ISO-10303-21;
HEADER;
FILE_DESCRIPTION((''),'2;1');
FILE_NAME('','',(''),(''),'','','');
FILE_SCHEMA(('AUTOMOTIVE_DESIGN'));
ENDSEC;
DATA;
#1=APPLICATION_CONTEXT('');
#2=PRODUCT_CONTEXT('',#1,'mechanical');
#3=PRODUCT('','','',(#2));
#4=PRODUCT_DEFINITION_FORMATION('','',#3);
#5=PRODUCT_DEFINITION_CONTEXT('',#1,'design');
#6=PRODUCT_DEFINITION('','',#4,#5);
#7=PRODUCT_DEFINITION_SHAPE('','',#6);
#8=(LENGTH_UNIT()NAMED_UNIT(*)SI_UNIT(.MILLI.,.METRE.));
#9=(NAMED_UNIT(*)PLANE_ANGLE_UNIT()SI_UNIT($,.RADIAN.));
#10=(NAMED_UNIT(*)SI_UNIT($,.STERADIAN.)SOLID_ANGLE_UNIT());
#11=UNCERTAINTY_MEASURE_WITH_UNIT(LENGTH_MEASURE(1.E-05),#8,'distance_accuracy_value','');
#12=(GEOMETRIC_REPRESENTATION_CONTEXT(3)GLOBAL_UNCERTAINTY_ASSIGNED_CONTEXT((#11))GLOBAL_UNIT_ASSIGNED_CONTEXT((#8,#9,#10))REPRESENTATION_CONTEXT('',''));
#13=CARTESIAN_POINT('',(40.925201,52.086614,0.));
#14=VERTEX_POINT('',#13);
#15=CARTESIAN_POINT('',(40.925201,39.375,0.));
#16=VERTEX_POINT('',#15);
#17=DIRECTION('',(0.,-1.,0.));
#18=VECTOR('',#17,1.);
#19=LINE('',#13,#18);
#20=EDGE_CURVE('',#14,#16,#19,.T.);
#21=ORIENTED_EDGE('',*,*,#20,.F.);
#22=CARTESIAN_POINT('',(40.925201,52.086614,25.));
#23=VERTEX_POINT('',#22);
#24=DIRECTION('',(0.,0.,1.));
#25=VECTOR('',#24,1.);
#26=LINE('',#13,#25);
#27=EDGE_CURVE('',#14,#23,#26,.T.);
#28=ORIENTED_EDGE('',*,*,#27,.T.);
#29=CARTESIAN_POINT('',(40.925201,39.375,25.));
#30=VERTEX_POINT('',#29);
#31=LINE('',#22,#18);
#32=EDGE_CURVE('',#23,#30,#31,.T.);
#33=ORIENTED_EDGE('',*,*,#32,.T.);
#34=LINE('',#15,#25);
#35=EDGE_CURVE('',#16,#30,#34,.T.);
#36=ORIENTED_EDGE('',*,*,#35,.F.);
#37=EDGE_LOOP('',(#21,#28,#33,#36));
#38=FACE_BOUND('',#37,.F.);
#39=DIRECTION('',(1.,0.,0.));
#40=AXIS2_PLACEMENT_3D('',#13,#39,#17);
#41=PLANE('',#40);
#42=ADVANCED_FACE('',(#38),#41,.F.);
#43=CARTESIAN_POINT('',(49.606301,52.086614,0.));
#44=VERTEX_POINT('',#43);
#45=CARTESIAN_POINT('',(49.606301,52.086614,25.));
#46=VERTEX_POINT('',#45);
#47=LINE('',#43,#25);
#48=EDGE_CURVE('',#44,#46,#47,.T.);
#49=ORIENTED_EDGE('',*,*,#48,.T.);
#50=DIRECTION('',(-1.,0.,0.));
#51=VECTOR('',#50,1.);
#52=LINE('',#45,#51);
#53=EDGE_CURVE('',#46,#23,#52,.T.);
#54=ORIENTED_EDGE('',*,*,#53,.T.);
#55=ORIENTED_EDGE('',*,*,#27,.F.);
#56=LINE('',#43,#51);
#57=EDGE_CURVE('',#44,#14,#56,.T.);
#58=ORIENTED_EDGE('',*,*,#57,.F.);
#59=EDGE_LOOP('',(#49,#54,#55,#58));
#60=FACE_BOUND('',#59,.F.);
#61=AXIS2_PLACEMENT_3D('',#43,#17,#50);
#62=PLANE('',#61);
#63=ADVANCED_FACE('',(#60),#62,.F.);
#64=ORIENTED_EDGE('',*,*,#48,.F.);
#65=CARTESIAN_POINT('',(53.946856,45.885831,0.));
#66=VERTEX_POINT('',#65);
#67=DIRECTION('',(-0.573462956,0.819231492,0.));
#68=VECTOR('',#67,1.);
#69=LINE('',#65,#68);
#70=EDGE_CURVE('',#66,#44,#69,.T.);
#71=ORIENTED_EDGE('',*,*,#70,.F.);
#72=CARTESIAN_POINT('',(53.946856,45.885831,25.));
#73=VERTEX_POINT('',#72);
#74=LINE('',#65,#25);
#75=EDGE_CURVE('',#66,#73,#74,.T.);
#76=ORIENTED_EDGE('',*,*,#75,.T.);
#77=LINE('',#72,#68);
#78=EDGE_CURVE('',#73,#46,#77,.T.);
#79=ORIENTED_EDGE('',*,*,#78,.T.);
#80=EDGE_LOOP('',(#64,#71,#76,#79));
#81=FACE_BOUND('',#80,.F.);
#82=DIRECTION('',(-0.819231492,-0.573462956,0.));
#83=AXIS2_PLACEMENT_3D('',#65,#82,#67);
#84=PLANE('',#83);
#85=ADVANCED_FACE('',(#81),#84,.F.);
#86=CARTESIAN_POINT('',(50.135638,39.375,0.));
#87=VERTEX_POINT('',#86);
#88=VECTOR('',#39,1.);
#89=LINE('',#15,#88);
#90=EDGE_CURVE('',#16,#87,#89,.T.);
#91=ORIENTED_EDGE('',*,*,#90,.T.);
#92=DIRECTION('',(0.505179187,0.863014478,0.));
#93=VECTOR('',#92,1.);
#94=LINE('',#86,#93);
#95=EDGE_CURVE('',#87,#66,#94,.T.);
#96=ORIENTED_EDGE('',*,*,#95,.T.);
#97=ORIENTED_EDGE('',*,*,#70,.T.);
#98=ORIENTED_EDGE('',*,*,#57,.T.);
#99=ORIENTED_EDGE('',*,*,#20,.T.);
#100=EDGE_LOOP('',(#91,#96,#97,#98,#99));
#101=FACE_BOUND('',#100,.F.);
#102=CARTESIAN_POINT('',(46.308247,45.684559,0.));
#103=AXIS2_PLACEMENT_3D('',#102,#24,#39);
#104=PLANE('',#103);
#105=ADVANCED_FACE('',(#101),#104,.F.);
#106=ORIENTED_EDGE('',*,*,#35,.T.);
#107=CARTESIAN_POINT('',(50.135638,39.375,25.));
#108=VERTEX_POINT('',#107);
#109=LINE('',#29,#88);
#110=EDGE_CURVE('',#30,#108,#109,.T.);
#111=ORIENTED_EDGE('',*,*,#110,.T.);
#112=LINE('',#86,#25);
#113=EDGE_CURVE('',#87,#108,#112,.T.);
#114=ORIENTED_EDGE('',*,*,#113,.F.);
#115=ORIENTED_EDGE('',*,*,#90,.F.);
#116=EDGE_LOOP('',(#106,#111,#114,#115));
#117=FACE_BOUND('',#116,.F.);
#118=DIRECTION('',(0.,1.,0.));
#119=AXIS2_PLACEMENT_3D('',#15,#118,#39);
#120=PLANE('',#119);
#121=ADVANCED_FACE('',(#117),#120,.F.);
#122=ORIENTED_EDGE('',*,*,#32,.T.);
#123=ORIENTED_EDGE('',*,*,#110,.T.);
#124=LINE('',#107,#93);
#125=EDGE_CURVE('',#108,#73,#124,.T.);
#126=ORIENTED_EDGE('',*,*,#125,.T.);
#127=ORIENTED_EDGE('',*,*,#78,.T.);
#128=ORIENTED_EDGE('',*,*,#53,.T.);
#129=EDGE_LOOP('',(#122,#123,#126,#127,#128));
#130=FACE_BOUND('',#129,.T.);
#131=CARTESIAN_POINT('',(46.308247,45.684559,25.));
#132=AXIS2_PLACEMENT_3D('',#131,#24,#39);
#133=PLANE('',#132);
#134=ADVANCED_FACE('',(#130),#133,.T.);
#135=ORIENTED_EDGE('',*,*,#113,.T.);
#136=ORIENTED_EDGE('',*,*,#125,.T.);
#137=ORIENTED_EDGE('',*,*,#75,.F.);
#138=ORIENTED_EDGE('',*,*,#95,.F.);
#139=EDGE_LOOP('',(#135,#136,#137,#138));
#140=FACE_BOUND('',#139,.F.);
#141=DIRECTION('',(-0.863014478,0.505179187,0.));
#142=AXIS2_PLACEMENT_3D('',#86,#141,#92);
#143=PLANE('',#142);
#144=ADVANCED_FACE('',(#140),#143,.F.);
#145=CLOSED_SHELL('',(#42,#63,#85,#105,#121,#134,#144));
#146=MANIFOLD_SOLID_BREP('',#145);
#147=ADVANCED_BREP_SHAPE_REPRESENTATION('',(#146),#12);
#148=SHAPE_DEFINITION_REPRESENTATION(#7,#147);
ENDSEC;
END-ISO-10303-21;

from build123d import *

# Parameters (mm, degrees)
F1_DEPTH = 25
F2_DEPTH = 25


with BuildPart() as f1:
    # F0 (on Top) → F1 (new body)
    with BuildSketch(Plane.XY):
        Polygon((40.925201, 52.086614), (40.925201, 39.375), (50.135638, 39.375), (53.946856, 45.885831), (49.606301, 52.086614), align=None)
    extrude(amount=F1_DEPTH)

    # F0 (on Top) → F2 (join)
    with BuildSketch(Plane.XY):
        Polygon((40.925201, 52.086614), (40.925201, 39.375), (50.135638, 39.375), (53.946856, 45.885831), (49.606301, 52.086614), align=None)
    extrude(amount=F2_DEPTH)


solid = f1.part
